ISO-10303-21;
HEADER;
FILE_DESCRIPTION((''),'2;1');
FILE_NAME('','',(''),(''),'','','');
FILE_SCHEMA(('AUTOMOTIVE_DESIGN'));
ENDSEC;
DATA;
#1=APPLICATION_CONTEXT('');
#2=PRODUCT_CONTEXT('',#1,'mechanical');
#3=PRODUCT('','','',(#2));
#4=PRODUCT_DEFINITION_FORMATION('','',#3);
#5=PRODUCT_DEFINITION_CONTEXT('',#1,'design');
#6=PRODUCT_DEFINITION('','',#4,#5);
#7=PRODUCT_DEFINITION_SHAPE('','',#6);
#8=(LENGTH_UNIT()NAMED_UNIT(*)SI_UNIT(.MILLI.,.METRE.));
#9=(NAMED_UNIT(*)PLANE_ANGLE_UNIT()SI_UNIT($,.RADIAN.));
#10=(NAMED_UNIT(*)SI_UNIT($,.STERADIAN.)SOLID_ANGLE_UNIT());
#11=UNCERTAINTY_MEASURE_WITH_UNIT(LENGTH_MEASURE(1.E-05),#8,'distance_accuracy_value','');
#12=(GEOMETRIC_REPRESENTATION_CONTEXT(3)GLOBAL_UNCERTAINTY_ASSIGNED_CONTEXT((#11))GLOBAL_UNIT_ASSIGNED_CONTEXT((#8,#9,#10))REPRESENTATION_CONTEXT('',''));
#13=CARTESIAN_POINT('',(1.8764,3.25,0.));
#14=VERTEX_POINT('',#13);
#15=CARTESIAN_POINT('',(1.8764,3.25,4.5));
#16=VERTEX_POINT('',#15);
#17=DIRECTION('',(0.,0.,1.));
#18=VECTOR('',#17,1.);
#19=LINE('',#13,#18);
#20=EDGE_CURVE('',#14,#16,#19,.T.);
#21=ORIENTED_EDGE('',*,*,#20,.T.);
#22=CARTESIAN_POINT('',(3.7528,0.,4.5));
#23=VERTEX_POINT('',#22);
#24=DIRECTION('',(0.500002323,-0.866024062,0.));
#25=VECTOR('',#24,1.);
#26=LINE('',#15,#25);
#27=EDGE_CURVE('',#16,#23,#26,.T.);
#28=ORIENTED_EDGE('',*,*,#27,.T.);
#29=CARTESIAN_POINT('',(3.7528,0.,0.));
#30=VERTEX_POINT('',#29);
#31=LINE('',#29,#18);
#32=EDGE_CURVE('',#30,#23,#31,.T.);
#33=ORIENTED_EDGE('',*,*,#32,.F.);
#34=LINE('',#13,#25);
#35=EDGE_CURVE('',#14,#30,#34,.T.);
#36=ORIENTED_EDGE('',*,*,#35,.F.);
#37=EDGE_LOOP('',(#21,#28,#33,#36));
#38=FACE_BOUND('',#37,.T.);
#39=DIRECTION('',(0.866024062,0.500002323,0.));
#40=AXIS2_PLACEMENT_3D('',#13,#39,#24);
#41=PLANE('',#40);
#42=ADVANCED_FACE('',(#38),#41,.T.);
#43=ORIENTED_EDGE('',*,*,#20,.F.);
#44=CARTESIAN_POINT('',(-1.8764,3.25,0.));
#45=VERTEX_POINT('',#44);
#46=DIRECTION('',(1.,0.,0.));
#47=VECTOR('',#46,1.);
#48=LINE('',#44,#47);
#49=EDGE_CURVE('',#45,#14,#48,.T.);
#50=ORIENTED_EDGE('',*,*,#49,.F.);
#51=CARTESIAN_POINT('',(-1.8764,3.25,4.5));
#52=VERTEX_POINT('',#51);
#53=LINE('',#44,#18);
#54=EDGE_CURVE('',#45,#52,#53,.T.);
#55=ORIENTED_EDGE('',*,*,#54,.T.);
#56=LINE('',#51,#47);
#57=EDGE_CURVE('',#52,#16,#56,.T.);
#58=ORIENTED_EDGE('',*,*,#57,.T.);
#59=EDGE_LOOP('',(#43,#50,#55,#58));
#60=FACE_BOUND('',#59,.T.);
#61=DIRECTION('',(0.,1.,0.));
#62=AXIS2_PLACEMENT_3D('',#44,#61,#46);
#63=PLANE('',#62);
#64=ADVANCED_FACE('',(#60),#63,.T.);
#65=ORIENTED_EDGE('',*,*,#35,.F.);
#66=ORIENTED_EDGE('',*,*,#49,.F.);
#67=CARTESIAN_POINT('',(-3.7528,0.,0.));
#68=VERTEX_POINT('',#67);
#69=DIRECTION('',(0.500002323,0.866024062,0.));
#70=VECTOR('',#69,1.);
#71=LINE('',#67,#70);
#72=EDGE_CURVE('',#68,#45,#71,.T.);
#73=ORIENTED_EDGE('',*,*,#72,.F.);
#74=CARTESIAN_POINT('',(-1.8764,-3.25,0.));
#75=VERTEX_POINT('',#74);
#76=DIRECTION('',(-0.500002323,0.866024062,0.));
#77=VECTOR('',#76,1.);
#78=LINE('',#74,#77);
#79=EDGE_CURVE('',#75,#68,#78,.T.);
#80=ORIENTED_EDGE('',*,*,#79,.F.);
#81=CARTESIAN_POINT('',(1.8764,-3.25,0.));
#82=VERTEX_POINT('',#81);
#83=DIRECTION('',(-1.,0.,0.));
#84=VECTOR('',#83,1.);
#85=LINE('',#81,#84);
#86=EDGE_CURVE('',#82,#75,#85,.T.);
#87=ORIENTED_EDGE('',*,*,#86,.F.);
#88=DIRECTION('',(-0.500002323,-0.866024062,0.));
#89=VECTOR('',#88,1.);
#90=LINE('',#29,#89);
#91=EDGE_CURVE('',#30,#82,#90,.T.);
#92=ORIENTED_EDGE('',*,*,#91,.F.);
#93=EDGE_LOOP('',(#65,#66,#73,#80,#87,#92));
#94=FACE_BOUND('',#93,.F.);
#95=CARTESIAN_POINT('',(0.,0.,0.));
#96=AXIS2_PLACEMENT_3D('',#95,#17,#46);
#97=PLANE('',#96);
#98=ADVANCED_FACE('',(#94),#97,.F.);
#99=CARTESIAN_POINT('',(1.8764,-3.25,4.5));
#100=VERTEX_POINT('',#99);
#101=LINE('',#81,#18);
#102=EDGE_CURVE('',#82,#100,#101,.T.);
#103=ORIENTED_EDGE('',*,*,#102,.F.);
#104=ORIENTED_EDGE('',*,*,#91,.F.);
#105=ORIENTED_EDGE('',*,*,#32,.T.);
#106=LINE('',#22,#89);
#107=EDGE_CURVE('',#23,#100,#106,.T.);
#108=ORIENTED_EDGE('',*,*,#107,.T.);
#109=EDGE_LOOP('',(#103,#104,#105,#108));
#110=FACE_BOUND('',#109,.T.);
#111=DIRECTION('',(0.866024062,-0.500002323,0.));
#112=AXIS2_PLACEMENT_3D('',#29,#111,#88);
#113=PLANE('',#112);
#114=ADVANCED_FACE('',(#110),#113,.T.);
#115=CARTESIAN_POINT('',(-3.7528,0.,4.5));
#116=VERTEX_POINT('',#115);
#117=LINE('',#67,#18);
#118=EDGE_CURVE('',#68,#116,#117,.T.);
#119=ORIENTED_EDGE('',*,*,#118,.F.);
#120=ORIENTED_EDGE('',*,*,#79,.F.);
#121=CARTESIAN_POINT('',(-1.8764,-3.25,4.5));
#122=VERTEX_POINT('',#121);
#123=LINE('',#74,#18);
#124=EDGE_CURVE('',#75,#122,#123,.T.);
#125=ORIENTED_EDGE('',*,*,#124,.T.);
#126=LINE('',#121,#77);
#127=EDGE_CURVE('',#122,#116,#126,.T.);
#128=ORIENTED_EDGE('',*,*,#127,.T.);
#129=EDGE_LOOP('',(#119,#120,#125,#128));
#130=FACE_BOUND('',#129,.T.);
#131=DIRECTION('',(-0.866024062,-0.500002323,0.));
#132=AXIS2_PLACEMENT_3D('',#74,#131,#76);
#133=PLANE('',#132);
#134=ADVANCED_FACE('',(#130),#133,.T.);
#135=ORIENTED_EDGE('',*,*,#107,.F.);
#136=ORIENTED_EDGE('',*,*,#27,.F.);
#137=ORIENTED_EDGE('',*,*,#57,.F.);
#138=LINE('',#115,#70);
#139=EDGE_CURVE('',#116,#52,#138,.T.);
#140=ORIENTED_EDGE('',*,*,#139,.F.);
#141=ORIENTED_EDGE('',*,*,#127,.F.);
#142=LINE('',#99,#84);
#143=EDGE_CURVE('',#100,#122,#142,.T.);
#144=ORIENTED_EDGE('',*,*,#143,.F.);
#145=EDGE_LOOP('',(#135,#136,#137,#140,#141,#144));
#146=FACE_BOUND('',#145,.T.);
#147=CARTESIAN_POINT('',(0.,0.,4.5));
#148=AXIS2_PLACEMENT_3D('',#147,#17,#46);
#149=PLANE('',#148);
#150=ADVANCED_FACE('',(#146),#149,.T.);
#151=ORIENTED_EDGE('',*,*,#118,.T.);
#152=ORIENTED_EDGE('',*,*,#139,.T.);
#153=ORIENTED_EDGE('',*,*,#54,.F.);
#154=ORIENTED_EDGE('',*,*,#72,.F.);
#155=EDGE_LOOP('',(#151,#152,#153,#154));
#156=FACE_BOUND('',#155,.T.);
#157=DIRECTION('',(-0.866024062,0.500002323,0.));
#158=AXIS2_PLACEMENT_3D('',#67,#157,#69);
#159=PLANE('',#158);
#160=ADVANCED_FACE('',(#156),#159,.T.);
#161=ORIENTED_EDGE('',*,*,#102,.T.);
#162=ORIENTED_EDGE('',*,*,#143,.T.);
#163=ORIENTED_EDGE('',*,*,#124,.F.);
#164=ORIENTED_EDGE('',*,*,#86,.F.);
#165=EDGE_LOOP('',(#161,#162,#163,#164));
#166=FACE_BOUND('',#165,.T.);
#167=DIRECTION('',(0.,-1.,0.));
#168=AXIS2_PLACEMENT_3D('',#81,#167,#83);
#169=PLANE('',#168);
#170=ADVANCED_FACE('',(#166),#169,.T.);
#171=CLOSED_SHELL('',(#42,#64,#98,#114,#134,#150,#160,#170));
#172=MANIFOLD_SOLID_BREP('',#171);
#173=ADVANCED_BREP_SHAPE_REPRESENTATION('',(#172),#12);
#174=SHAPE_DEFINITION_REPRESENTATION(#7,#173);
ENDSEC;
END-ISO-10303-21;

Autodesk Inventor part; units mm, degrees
sketch "Sketch1" plane through (0, 0, 0) normal (0, 0, 1) x (1, 0, 0)
  line L0 (1.8764, 3.25) -> (3.7528, 0)
  line L1 (3.7528, 0) -> (1.8764, -3.25)
  line L2 (1.8764, -3.25) -> (-1.8764, -3.25)
  line L3 (-1.8764, -3.25) -> (-3.7528, 0)
  line L4 (-3.7528, 0) -> (-1.8764, 3.25)
  line L5 (-1.8764, 3.25) -> (1.8764, 3.25)
  point P0 (0, 0)
  point P1 (0, 0)
  dimension "d0" = 6.5
extrude "Extrusion1" add sketch "Sketch1" along normal blind 4.5
properties part number "servo_metal_600TVL_shaft_nut"
